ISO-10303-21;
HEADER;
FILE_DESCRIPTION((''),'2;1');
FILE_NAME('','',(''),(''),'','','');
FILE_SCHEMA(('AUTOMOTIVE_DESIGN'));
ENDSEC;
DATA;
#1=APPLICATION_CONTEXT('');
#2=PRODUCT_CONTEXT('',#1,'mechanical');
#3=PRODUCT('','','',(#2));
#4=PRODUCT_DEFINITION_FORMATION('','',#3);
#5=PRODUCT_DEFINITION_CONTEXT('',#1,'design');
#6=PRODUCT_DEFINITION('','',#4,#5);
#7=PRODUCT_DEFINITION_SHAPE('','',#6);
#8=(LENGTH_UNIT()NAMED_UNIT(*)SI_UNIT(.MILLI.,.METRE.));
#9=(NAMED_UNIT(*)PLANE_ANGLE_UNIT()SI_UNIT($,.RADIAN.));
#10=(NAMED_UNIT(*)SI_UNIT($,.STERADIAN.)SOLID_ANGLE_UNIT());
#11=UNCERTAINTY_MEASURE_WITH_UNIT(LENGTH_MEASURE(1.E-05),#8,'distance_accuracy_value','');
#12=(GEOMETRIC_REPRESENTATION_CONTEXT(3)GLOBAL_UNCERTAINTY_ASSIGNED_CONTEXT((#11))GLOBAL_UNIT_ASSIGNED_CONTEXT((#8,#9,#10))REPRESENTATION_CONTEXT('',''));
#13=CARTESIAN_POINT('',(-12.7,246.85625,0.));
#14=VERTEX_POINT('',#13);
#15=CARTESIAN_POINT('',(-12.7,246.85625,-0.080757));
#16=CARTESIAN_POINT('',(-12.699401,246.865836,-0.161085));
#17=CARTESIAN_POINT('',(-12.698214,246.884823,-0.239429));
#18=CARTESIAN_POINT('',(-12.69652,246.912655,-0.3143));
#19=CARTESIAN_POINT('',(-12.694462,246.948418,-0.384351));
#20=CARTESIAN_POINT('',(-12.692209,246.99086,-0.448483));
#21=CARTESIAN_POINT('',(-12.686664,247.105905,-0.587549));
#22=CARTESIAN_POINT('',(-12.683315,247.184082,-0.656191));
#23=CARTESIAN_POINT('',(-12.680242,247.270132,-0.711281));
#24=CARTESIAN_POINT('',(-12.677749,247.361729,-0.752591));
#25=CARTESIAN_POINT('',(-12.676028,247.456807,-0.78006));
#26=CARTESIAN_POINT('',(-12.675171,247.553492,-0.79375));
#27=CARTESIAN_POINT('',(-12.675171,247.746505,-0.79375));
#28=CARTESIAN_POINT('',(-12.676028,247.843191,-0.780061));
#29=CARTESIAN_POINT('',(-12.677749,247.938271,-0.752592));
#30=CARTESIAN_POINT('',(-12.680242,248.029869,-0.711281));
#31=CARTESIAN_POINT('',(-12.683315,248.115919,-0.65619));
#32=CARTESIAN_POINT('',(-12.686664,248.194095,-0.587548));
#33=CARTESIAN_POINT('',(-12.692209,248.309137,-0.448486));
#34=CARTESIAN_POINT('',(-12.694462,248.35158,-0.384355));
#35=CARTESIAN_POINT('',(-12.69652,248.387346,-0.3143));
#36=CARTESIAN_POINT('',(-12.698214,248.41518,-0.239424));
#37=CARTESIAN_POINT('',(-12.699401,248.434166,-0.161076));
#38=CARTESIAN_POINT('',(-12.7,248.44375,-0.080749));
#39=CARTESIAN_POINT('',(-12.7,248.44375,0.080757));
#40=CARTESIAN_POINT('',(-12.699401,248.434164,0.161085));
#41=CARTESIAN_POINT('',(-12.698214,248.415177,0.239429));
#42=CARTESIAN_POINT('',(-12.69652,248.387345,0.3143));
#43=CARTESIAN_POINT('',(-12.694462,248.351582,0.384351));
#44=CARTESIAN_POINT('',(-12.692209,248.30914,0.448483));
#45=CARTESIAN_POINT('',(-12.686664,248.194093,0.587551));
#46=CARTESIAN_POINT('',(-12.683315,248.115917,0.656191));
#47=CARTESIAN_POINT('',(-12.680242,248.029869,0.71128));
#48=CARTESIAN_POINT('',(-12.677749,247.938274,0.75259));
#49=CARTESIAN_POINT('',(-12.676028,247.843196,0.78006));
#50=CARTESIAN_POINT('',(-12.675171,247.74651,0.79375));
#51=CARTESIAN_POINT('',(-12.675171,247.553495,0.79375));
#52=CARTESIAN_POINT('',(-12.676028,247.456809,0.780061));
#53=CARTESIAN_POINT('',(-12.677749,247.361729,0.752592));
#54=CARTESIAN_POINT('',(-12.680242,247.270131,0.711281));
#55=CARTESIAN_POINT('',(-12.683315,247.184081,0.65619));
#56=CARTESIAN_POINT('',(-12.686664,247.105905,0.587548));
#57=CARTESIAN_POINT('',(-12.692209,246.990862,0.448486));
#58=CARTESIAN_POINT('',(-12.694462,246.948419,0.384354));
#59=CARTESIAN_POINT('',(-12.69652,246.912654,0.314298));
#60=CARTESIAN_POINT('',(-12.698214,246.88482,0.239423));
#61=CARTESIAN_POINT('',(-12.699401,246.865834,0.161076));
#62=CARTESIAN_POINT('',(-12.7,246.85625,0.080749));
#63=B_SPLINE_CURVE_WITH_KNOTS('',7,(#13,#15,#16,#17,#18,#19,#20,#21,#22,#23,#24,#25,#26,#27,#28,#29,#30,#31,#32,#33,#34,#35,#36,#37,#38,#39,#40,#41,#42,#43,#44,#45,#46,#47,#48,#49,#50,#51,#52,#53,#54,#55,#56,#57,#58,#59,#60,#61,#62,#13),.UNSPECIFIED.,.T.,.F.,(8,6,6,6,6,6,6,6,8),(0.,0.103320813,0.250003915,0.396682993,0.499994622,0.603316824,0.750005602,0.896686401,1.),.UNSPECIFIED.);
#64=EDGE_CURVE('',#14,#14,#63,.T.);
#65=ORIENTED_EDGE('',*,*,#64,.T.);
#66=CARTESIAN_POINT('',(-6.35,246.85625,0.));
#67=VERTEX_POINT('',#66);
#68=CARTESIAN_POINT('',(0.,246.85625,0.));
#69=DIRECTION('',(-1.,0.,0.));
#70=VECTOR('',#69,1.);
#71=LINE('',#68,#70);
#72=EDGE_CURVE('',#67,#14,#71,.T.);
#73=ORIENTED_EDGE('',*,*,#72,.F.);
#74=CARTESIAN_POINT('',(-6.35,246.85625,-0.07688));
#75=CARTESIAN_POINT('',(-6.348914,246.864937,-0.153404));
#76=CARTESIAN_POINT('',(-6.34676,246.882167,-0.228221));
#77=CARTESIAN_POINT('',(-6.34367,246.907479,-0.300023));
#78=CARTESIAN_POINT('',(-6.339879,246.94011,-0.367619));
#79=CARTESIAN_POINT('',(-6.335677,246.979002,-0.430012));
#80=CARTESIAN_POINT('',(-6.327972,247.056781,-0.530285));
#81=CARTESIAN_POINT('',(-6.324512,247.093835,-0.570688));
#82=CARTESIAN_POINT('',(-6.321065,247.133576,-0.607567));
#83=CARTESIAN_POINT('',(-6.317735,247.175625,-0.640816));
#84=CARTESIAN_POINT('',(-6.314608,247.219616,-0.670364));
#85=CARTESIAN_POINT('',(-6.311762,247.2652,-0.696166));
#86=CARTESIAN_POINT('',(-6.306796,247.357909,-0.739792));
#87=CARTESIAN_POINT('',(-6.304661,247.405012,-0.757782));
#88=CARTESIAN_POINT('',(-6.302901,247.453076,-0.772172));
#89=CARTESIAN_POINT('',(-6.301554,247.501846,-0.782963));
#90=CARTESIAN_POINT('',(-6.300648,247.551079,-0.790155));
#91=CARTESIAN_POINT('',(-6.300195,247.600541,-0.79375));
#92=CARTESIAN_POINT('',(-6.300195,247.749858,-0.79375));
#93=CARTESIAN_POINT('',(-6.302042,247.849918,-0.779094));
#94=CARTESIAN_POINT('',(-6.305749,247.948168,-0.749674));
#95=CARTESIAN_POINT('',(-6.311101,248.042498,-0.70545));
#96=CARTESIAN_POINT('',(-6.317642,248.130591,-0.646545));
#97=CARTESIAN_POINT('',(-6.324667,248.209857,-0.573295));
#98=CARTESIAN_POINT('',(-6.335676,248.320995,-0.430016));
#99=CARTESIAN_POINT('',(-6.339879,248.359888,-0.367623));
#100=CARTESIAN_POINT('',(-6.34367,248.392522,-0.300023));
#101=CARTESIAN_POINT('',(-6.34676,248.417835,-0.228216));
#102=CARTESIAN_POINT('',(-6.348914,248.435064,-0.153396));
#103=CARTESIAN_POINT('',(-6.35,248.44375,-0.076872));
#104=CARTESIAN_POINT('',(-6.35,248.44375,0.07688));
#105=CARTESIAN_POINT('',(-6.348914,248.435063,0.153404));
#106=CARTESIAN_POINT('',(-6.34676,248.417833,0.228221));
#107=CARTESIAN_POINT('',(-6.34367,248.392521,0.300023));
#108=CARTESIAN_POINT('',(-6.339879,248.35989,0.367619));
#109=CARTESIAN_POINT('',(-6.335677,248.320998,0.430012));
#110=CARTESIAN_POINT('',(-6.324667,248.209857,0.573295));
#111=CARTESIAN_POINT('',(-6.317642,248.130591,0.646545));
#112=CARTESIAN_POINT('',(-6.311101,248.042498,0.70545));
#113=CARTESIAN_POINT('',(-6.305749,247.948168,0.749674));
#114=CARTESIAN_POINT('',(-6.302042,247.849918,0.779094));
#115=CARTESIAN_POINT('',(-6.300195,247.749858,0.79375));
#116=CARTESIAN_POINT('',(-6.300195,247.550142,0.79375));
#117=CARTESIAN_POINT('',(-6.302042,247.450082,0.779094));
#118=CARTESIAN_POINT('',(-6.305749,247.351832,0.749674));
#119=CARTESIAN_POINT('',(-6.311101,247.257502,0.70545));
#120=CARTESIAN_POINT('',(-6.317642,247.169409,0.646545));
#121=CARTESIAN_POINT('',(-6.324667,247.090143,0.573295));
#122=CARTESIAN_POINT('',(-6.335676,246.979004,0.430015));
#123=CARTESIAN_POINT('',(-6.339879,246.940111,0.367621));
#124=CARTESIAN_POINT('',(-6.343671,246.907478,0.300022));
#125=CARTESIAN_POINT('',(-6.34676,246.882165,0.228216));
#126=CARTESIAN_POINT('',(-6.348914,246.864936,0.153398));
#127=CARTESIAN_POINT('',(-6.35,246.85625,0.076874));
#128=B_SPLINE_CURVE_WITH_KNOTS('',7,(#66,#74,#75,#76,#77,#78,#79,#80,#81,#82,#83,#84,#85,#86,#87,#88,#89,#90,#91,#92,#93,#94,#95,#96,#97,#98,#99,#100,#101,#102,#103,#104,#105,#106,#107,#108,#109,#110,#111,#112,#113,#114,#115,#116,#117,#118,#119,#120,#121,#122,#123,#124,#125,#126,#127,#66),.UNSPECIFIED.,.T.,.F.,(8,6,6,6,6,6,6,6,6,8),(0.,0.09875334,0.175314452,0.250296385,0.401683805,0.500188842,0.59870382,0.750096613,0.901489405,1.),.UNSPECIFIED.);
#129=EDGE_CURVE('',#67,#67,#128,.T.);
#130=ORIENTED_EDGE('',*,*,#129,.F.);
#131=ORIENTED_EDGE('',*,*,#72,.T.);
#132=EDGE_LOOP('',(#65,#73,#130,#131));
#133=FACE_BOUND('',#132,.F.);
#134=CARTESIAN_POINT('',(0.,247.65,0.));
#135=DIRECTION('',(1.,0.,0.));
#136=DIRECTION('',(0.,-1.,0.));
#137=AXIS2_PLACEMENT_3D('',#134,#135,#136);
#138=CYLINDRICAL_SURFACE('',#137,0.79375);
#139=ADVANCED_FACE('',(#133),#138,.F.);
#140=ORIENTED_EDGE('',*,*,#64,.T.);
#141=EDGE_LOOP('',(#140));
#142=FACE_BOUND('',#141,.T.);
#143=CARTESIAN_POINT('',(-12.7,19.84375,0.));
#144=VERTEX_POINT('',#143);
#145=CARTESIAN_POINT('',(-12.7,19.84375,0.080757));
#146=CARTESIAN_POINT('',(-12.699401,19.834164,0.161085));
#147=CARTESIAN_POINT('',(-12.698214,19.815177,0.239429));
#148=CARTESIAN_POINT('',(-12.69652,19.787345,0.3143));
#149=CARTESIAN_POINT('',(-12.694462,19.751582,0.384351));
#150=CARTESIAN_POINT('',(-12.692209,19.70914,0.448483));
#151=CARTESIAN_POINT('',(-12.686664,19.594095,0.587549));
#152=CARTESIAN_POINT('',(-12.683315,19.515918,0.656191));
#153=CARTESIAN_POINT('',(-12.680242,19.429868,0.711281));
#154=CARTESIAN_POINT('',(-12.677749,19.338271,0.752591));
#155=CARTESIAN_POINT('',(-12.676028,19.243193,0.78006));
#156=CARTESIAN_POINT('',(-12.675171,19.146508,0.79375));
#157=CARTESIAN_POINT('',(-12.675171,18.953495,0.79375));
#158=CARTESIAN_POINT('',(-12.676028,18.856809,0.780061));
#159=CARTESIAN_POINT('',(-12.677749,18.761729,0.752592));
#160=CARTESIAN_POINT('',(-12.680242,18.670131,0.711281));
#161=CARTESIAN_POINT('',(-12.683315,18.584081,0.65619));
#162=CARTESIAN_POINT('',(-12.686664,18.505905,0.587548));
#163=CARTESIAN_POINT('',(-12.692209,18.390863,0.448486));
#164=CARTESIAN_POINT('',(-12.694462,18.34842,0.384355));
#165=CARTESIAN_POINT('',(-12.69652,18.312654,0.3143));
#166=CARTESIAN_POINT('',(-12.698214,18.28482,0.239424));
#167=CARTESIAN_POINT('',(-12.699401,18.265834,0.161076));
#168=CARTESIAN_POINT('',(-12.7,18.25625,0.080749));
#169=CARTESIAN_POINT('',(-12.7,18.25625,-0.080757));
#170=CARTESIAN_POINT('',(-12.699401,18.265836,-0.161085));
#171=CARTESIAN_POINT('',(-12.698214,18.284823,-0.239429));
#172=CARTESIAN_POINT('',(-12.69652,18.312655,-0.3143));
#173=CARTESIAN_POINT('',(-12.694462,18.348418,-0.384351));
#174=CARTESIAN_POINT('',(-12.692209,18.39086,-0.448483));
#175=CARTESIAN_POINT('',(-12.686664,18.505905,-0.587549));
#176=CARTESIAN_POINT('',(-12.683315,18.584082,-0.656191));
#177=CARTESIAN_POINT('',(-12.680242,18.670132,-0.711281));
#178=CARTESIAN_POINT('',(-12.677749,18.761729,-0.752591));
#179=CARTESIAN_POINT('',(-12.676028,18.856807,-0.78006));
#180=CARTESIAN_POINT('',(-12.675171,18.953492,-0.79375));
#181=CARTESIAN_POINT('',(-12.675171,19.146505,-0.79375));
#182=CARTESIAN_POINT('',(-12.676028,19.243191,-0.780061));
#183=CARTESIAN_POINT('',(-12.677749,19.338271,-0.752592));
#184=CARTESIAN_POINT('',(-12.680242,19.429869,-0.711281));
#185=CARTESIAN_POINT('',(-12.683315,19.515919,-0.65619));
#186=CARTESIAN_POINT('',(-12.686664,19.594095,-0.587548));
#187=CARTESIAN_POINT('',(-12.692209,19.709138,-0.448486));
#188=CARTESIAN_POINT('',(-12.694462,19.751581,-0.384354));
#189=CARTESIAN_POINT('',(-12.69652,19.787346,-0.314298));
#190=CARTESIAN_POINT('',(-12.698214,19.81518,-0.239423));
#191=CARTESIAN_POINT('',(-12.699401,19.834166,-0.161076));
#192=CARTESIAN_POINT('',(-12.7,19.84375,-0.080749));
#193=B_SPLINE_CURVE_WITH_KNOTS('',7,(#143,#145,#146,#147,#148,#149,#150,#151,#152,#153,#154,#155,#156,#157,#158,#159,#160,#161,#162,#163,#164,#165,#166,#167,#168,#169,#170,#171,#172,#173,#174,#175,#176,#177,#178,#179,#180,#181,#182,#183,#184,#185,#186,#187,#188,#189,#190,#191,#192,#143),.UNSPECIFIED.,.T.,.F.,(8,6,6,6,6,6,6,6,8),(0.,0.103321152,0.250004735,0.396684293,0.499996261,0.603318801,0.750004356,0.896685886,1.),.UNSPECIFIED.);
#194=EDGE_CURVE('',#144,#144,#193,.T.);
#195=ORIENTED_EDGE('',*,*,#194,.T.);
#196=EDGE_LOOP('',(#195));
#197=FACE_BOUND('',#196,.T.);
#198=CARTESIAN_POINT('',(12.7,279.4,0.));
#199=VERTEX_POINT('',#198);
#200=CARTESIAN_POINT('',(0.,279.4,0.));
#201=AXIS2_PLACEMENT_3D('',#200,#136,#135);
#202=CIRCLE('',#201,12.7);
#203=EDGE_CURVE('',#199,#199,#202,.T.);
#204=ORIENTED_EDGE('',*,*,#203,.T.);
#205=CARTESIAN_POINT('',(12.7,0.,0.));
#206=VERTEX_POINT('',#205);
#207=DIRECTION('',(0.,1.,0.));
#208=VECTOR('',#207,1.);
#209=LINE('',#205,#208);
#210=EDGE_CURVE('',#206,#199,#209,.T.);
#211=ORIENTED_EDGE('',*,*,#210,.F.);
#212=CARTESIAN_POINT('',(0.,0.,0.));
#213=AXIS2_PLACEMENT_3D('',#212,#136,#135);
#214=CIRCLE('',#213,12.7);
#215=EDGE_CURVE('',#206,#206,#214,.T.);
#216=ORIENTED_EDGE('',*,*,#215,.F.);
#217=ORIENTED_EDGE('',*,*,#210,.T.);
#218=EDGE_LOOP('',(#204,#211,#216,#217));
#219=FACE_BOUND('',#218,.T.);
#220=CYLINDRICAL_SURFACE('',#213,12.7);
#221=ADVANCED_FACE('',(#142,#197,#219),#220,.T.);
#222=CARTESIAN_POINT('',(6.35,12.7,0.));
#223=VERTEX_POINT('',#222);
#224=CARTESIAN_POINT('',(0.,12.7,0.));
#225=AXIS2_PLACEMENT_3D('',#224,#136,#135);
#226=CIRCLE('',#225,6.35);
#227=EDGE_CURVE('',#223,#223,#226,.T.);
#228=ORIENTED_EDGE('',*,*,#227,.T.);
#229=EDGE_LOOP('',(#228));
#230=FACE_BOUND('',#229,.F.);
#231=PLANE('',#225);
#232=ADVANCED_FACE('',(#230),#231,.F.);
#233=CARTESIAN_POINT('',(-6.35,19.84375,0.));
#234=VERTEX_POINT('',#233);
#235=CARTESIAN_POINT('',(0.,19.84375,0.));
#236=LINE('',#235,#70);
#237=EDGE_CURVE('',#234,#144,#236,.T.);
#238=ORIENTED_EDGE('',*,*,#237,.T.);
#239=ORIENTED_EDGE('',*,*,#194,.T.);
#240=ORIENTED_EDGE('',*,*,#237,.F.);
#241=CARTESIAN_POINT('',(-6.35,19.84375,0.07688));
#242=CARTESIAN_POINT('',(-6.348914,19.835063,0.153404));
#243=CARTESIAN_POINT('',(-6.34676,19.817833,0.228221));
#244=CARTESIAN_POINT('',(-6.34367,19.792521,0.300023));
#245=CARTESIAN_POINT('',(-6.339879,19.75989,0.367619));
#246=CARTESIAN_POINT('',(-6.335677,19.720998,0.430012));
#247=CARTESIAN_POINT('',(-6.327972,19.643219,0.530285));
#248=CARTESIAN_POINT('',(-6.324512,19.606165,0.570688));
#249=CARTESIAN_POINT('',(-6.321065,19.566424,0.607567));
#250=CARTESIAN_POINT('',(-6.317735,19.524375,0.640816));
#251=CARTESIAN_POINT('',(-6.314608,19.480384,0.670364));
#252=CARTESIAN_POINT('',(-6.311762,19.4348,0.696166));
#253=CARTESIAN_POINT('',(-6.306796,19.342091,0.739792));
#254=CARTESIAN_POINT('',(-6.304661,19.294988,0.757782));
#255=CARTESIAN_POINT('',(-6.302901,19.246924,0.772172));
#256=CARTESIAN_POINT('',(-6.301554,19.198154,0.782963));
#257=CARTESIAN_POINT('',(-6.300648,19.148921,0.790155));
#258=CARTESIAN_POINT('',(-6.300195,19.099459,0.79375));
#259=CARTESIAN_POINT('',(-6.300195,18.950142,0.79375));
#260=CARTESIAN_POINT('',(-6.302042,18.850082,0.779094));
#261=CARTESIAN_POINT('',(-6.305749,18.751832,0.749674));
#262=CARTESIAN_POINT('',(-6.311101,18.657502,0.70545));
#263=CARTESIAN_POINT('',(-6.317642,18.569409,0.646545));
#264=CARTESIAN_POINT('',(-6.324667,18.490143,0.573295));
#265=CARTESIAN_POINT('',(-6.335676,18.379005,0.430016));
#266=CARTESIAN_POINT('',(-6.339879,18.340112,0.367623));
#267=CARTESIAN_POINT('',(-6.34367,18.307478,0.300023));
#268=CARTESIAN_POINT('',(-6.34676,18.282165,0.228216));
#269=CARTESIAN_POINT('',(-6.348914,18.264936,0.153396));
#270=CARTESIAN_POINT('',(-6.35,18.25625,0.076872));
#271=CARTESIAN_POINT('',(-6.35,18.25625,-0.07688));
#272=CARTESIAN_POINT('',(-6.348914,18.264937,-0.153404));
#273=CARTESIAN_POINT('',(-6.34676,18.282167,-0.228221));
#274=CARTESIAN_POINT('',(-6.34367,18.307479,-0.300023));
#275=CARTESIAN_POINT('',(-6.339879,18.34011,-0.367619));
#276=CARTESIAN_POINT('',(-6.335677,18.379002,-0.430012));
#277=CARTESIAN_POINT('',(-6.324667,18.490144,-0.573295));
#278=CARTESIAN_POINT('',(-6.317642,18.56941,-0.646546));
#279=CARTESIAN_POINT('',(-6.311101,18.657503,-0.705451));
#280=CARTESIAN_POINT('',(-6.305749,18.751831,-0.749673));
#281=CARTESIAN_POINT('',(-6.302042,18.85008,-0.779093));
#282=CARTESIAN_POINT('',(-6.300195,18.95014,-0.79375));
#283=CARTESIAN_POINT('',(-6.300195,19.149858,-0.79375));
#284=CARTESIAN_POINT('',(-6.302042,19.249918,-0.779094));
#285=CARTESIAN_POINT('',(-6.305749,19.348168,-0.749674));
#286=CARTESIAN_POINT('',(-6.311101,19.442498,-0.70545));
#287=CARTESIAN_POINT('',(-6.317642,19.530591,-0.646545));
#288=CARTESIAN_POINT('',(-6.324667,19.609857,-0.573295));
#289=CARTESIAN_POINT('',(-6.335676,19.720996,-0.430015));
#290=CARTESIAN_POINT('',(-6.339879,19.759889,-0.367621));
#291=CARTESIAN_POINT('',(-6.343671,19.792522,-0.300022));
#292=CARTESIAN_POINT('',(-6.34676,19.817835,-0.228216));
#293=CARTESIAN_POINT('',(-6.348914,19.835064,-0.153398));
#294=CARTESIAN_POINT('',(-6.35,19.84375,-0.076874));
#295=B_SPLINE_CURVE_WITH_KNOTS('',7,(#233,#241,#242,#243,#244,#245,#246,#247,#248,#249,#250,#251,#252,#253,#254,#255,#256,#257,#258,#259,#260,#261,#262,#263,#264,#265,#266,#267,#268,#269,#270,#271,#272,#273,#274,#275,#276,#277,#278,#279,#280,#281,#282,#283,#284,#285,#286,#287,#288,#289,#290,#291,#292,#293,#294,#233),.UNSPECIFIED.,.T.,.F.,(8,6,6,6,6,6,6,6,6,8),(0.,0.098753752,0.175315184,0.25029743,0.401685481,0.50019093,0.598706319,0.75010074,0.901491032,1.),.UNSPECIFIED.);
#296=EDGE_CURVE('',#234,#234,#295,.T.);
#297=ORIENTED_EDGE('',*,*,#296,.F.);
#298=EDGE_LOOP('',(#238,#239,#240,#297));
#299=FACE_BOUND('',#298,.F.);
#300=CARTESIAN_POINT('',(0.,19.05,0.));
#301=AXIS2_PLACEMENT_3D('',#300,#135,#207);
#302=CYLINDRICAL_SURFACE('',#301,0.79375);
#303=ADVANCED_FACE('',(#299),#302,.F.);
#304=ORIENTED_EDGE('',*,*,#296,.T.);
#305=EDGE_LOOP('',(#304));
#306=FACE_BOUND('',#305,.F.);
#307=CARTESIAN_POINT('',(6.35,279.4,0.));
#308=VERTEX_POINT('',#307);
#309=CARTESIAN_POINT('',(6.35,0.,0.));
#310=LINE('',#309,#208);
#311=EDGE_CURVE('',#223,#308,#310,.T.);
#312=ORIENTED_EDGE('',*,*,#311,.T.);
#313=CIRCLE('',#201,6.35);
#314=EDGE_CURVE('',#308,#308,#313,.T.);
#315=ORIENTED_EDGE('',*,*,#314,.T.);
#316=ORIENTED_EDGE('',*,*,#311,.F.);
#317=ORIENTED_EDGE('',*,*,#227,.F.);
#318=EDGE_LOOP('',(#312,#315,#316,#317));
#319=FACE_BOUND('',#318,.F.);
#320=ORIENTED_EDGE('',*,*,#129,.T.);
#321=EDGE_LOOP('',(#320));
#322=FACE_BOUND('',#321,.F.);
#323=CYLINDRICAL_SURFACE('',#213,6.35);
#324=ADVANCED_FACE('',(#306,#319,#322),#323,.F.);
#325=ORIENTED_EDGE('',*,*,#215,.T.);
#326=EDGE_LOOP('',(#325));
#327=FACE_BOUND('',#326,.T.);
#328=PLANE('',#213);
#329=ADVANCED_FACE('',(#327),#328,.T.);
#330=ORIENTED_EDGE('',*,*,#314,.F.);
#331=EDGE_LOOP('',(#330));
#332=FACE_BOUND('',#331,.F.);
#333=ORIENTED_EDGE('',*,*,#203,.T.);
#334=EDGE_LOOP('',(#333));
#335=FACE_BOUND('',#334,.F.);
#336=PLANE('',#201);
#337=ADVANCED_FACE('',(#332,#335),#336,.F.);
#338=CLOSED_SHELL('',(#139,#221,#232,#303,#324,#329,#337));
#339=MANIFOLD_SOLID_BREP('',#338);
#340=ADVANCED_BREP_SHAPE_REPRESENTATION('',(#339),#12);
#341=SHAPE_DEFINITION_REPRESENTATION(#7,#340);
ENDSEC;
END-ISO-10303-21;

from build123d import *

# Parameters (mm, degrees)
F0_R     = 12.7
F0_R_2   = 6.35
F1_DEPTH = 12.7
F2_DEPTH = 279.4
F5_DEPTH = 25.4
F7_DEPTH = 25.4


with BuildPart() as f1:
    # F0 (on Front) → F1 (new body)
    with BuildSketch(Plane.XZ):
        Circle(F0_R)
        Circle(F0_R_2, mode=Mode.SUBTRACT)
        Circle(F0_R_2)
    extrude(amount=-F1_DEPTH)

    # F0 (on Front) → F2 (join)
    with BuildSketch(Plane.XZ):
        Circle(F0_R)
        Circle(F0_R_2, mode=Mode.SUBTRACT)
    extrude(amount=-F2_DEPTH)

    # F4 (on Right) → F5 (cut)
    with BuildSketch(Plane.YZ):
        with BuildLine():
            ThreePointArc((18.25625, 0), (19.05, -0.79375), (19.84375, 0))
            ThreePointArc((19.84375, 0), (19.05, 0.79375), (18.25625, 0))
        make_face()
    extrude(amount=-F5_DEPTH, mode=Mode.SUBTRACT)

    # F6 (on Right) → F7 (cut)
    with BuildSketch(Plane.YZ):
        with BuildLine():
            ThreePointArc((248.44375, 0), (247.65, 0.79375), (246.85625, 0))
            Line((246.85625, 0), (247.65, 0))
            Line((247.65, 0), (248.44375, 0))
        make_face()
        with BuildLine():
            Line((247.65, 0), (246.85625, 0))
            ThreePointArc((246.85625, 0), (247.65, -0.79375), (248.44375, 0))
            Line((248.44375, 0), (247.65, 0))
        make_face()
    extrude(amount=-F7_DEPTH, mode=Mode.SUBTRACT)


solid = f1.part
